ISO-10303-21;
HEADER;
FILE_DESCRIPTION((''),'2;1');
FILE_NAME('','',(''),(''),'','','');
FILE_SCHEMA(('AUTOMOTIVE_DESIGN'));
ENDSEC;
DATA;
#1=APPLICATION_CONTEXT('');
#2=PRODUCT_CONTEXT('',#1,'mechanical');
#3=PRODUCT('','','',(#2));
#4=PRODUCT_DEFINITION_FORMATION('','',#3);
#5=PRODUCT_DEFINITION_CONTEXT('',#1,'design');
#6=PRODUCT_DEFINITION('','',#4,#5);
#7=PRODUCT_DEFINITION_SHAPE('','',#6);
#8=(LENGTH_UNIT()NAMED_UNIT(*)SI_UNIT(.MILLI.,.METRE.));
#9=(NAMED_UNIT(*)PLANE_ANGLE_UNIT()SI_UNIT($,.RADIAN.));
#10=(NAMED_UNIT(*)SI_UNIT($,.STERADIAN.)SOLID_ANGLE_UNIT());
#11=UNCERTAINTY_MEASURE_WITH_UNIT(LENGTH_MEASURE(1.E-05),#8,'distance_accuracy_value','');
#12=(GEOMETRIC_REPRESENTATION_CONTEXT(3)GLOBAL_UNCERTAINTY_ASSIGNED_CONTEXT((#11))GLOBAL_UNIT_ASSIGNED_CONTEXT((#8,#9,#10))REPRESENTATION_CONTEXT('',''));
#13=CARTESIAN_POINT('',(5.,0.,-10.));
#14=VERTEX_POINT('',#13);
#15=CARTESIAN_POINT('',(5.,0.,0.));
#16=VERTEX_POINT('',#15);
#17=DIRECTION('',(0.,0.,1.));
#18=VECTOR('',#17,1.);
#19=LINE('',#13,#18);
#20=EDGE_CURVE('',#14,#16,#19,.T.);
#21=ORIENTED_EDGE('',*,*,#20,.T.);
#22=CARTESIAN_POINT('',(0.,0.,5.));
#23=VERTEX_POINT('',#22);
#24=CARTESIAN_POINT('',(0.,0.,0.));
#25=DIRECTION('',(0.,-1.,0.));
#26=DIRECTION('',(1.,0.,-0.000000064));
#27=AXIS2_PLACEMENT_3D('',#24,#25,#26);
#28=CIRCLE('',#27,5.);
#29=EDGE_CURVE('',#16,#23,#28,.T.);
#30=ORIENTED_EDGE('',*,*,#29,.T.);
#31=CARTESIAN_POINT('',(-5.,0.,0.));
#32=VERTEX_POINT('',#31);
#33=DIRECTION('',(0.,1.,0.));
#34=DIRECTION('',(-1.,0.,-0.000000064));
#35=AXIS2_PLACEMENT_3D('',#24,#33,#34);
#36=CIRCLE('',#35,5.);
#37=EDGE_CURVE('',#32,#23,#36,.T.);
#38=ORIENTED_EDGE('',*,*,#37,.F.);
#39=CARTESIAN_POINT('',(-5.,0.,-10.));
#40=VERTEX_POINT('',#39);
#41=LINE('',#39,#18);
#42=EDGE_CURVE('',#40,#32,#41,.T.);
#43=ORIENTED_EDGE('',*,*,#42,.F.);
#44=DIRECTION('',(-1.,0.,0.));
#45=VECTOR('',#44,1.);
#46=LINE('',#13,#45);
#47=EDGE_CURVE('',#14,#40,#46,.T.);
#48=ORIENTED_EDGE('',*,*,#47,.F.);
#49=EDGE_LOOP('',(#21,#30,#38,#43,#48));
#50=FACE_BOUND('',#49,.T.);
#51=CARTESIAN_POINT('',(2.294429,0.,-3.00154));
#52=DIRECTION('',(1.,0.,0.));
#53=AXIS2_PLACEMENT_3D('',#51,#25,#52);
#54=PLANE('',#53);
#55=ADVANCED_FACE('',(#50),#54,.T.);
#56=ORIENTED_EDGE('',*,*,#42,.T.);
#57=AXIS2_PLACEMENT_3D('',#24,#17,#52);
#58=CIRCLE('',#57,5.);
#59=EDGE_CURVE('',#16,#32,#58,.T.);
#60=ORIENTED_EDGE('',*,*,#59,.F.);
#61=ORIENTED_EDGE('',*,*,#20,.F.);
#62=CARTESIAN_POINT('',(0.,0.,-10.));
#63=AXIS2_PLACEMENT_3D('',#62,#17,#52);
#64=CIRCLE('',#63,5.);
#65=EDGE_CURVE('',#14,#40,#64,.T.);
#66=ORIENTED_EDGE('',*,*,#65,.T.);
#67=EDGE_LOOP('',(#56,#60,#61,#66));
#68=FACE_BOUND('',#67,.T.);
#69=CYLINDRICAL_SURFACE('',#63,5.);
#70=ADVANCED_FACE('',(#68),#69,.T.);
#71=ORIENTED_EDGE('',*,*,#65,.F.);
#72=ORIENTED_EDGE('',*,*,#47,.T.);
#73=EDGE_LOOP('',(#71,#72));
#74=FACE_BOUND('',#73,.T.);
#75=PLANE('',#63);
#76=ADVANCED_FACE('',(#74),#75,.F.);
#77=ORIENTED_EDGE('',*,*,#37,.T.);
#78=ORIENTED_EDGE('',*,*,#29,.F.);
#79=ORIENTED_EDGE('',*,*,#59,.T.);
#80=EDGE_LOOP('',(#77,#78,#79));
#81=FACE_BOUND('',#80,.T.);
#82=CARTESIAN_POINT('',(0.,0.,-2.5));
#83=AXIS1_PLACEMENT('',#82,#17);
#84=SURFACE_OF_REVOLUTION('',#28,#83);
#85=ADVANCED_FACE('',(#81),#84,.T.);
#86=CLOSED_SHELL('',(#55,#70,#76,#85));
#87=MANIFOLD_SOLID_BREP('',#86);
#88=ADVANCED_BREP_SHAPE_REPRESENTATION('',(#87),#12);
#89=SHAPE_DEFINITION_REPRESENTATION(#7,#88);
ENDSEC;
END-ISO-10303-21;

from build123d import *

# Parameters (mm, degrees)
F1_ANGLE = 180


with BuildPart() as f1:
    # F0 (on Front) → F1 (revolve)
    with BuildSketch(Plane.XZ):
        with BuildLine():
            Line((5, -10), (5, 0))
            ThreePointArc((5, 0), (3.535534, 3.535534), (0, 5))
            Line((0, 5), (0, -10))
            Line((0, -10), (5, -10))
        make_face()
    revolve(axis=Axis((0, 0, -2.5), (0, 0, 1)), revolution_arc=F1_ANGLE)


solid = f1.part
